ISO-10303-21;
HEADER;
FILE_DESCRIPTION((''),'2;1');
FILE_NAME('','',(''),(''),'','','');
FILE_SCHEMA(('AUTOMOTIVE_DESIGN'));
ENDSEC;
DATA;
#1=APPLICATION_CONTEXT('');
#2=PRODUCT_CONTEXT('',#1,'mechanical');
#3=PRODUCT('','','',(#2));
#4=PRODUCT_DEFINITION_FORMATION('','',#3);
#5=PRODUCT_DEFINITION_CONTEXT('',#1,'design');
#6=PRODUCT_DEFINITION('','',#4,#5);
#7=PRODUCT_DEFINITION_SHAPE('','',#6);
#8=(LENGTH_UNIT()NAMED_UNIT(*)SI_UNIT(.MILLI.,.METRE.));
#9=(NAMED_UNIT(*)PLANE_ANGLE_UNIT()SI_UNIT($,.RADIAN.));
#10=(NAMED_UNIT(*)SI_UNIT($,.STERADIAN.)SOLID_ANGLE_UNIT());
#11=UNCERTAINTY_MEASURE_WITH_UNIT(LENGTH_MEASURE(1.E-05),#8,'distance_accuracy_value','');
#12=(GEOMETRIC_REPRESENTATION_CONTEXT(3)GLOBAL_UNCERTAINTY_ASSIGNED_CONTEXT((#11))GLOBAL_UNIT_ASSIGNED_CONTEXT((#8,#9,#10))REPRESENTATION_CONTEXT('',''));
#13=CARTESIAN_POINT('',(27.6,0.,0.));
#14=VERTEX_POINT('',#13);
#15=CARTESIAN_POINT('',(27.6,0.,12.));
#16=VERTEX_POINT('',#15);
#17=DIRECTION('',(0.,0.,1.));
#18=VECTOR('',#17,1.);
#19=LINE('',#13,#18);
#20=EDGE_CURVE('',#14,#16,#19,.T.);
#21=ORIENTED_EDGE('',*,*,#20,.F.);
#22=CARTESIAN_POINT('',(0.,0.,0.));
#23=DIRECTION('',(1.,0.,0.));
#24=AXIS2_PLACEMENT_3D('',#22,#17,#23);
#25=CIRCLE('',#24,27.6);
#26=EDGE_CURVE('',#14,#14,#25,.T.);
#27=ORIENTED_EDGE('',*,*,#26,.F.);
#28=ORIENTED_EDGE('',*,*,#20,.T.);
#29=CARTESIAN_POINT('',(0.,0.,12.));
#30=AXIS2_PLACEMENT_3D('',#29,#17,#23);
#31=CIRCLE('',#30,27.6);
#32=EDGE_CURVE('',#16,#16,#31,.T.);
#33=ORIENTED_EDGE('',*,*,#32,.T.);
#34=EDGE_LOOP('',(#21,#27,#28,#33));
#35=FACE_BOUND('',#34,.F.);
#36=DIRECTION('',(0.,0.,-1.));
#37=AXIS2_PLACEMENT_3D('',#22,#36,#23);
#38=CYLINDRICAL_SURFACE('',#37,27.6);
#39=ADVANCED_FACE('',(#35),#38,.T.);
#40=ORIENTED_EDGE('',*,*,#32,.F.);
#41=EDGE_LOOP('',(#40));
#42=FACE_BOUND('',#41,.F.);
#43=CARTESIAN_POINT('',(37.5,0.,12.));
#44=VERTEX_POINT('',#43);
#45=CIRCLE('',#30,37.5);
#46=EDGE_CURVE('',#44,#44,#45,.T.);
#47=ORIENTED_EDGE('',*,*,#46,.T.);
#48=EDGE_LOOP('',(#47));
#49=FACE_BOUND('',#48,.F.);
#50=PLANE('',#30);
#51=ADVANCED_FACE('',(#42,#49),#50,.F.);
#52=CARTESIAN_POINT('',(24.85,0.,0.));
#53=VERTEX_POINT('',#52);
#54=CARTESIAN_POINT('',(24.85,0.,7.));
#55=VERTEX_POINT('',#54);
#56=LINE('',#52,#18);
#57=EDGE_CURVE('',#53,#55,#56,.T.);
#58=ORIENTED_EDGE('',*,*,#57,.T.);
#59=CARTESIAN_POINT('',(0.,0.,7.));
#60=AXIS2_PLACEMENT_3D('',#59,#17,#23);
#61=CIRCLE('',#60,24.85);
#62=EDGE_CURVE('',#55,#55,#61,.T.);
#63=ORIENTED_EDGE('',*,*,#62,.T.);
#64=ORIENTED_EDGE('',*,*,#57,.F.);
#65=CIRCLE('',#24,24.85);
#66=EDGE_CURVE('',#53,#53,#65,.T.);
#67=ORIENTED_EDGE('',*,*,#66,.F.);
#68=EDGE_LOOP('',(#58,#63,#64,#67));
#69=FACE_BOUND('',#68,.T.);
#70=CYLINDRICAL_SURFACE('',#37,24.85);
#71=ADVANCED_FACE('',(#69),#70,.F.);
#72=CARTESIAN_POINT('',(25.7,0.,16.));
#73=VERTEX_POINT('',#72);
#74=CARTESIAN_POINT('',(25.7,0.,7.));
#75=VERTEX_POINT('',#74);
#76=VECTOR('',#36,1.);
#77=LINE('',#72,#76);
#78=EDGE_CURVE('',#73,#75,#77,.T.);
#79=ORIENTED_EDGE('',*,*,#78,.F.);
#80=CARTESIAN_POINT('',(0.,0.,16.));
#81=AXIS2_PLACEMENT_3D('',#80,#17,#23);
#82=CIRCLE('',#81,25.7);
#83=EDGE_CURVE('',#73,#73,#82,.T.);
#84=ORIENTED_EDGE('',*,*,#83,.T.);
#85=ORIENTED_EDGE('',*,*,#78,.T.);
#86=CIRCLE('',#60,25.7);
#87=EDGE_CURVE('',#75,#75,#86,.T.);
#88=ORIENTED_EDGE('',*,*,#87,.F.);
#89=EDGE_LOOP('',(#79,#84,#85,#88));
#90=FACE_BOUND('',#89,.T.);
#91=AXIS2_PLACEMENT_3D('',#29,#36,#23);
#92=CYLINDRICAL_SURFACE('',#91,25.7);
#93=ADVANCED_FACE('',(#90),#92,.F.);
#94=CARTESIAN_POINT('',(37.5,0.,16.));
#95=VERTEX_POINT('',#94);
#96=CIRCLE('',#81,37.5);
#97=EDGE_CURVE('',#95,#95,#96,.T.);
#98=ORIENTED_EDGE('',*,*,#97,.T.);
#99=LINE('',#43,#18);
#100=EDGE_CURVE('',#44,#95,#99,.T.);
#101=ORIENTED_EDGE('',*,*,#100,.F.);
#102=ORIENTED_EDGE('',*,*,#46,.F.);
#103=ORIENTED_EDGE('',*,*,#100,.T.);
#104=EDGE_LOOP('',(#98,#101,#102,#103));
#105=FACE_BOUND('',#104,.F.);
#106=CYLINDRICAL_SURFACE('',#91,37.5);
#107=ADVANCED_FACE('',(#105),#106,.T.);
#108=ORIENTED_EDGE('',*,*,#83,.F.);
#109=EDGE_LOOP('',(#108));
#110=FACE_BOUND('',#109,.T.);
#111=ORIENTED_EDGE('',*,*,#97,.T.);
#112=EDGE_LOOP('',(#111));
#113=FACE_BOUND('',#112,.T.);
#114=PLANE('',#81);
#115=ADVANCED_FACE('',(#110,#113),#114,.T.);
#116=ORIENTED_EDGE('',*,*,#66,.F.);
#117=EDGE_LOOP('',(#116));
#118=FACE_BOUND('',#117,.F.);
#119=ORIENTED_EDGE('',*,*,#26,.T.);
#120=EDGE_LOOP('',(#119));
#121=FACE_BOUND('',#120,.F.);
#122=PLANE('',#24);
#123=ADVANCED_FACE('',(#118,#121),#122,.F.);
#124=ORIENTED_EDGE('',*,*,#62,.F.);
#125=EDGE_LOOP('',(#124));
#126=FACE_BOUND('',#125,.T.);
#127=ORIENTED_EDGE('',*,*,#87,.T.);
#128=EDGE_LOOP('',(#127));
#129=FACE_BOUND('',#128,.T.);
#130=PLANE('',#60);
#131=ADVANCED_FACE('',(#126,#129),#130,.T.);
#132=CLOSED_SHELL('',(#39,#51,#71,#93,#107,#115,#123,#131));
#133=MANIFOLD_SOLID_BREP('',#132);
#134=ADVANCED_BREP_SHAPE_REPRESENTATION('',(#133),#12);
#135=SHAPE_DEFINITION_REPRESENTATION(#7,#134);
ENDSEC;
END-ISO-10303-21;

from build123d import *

# Parameters (mm, degrees)
F0_R     = 25.7
F0_R_2   = 24.85
F1_DEPTH = 7
F2_R     = 27.6
F2_R_2   = 25.7
F3_DEPTH = 12
F5_R     = 37.5
F5_R_2   = 25.7
F6_DEPTH = 4


with BuildPart() as f1:
    # F0 (on Top) → F1 (new body)
    with BuildSketch(Plane.XY):
        Circle(F0_R)
        Circle(F0_R_2, mode=Mode.SUBTRACT)
    extrude(amount=F1_DEPTH)

    # F2 (on Top) → F3 (join)
    with BuildSketch(Plane.XY):
        Circle(F2_R)
        Circle(F2_R_2, mode=Mode.SUBTRACT)
    extrude(amount=F3_DEPTH)

    # F5 (on offset) → F6 (join)
    with BuildSketch(Plane.XY.offset(12)):
        Circle(F5_R)
        Circle(F5_R_2, mode=Mode.SUBTRACT)
    extrude(amount=F6_DEPTH)


solid = f1.part
